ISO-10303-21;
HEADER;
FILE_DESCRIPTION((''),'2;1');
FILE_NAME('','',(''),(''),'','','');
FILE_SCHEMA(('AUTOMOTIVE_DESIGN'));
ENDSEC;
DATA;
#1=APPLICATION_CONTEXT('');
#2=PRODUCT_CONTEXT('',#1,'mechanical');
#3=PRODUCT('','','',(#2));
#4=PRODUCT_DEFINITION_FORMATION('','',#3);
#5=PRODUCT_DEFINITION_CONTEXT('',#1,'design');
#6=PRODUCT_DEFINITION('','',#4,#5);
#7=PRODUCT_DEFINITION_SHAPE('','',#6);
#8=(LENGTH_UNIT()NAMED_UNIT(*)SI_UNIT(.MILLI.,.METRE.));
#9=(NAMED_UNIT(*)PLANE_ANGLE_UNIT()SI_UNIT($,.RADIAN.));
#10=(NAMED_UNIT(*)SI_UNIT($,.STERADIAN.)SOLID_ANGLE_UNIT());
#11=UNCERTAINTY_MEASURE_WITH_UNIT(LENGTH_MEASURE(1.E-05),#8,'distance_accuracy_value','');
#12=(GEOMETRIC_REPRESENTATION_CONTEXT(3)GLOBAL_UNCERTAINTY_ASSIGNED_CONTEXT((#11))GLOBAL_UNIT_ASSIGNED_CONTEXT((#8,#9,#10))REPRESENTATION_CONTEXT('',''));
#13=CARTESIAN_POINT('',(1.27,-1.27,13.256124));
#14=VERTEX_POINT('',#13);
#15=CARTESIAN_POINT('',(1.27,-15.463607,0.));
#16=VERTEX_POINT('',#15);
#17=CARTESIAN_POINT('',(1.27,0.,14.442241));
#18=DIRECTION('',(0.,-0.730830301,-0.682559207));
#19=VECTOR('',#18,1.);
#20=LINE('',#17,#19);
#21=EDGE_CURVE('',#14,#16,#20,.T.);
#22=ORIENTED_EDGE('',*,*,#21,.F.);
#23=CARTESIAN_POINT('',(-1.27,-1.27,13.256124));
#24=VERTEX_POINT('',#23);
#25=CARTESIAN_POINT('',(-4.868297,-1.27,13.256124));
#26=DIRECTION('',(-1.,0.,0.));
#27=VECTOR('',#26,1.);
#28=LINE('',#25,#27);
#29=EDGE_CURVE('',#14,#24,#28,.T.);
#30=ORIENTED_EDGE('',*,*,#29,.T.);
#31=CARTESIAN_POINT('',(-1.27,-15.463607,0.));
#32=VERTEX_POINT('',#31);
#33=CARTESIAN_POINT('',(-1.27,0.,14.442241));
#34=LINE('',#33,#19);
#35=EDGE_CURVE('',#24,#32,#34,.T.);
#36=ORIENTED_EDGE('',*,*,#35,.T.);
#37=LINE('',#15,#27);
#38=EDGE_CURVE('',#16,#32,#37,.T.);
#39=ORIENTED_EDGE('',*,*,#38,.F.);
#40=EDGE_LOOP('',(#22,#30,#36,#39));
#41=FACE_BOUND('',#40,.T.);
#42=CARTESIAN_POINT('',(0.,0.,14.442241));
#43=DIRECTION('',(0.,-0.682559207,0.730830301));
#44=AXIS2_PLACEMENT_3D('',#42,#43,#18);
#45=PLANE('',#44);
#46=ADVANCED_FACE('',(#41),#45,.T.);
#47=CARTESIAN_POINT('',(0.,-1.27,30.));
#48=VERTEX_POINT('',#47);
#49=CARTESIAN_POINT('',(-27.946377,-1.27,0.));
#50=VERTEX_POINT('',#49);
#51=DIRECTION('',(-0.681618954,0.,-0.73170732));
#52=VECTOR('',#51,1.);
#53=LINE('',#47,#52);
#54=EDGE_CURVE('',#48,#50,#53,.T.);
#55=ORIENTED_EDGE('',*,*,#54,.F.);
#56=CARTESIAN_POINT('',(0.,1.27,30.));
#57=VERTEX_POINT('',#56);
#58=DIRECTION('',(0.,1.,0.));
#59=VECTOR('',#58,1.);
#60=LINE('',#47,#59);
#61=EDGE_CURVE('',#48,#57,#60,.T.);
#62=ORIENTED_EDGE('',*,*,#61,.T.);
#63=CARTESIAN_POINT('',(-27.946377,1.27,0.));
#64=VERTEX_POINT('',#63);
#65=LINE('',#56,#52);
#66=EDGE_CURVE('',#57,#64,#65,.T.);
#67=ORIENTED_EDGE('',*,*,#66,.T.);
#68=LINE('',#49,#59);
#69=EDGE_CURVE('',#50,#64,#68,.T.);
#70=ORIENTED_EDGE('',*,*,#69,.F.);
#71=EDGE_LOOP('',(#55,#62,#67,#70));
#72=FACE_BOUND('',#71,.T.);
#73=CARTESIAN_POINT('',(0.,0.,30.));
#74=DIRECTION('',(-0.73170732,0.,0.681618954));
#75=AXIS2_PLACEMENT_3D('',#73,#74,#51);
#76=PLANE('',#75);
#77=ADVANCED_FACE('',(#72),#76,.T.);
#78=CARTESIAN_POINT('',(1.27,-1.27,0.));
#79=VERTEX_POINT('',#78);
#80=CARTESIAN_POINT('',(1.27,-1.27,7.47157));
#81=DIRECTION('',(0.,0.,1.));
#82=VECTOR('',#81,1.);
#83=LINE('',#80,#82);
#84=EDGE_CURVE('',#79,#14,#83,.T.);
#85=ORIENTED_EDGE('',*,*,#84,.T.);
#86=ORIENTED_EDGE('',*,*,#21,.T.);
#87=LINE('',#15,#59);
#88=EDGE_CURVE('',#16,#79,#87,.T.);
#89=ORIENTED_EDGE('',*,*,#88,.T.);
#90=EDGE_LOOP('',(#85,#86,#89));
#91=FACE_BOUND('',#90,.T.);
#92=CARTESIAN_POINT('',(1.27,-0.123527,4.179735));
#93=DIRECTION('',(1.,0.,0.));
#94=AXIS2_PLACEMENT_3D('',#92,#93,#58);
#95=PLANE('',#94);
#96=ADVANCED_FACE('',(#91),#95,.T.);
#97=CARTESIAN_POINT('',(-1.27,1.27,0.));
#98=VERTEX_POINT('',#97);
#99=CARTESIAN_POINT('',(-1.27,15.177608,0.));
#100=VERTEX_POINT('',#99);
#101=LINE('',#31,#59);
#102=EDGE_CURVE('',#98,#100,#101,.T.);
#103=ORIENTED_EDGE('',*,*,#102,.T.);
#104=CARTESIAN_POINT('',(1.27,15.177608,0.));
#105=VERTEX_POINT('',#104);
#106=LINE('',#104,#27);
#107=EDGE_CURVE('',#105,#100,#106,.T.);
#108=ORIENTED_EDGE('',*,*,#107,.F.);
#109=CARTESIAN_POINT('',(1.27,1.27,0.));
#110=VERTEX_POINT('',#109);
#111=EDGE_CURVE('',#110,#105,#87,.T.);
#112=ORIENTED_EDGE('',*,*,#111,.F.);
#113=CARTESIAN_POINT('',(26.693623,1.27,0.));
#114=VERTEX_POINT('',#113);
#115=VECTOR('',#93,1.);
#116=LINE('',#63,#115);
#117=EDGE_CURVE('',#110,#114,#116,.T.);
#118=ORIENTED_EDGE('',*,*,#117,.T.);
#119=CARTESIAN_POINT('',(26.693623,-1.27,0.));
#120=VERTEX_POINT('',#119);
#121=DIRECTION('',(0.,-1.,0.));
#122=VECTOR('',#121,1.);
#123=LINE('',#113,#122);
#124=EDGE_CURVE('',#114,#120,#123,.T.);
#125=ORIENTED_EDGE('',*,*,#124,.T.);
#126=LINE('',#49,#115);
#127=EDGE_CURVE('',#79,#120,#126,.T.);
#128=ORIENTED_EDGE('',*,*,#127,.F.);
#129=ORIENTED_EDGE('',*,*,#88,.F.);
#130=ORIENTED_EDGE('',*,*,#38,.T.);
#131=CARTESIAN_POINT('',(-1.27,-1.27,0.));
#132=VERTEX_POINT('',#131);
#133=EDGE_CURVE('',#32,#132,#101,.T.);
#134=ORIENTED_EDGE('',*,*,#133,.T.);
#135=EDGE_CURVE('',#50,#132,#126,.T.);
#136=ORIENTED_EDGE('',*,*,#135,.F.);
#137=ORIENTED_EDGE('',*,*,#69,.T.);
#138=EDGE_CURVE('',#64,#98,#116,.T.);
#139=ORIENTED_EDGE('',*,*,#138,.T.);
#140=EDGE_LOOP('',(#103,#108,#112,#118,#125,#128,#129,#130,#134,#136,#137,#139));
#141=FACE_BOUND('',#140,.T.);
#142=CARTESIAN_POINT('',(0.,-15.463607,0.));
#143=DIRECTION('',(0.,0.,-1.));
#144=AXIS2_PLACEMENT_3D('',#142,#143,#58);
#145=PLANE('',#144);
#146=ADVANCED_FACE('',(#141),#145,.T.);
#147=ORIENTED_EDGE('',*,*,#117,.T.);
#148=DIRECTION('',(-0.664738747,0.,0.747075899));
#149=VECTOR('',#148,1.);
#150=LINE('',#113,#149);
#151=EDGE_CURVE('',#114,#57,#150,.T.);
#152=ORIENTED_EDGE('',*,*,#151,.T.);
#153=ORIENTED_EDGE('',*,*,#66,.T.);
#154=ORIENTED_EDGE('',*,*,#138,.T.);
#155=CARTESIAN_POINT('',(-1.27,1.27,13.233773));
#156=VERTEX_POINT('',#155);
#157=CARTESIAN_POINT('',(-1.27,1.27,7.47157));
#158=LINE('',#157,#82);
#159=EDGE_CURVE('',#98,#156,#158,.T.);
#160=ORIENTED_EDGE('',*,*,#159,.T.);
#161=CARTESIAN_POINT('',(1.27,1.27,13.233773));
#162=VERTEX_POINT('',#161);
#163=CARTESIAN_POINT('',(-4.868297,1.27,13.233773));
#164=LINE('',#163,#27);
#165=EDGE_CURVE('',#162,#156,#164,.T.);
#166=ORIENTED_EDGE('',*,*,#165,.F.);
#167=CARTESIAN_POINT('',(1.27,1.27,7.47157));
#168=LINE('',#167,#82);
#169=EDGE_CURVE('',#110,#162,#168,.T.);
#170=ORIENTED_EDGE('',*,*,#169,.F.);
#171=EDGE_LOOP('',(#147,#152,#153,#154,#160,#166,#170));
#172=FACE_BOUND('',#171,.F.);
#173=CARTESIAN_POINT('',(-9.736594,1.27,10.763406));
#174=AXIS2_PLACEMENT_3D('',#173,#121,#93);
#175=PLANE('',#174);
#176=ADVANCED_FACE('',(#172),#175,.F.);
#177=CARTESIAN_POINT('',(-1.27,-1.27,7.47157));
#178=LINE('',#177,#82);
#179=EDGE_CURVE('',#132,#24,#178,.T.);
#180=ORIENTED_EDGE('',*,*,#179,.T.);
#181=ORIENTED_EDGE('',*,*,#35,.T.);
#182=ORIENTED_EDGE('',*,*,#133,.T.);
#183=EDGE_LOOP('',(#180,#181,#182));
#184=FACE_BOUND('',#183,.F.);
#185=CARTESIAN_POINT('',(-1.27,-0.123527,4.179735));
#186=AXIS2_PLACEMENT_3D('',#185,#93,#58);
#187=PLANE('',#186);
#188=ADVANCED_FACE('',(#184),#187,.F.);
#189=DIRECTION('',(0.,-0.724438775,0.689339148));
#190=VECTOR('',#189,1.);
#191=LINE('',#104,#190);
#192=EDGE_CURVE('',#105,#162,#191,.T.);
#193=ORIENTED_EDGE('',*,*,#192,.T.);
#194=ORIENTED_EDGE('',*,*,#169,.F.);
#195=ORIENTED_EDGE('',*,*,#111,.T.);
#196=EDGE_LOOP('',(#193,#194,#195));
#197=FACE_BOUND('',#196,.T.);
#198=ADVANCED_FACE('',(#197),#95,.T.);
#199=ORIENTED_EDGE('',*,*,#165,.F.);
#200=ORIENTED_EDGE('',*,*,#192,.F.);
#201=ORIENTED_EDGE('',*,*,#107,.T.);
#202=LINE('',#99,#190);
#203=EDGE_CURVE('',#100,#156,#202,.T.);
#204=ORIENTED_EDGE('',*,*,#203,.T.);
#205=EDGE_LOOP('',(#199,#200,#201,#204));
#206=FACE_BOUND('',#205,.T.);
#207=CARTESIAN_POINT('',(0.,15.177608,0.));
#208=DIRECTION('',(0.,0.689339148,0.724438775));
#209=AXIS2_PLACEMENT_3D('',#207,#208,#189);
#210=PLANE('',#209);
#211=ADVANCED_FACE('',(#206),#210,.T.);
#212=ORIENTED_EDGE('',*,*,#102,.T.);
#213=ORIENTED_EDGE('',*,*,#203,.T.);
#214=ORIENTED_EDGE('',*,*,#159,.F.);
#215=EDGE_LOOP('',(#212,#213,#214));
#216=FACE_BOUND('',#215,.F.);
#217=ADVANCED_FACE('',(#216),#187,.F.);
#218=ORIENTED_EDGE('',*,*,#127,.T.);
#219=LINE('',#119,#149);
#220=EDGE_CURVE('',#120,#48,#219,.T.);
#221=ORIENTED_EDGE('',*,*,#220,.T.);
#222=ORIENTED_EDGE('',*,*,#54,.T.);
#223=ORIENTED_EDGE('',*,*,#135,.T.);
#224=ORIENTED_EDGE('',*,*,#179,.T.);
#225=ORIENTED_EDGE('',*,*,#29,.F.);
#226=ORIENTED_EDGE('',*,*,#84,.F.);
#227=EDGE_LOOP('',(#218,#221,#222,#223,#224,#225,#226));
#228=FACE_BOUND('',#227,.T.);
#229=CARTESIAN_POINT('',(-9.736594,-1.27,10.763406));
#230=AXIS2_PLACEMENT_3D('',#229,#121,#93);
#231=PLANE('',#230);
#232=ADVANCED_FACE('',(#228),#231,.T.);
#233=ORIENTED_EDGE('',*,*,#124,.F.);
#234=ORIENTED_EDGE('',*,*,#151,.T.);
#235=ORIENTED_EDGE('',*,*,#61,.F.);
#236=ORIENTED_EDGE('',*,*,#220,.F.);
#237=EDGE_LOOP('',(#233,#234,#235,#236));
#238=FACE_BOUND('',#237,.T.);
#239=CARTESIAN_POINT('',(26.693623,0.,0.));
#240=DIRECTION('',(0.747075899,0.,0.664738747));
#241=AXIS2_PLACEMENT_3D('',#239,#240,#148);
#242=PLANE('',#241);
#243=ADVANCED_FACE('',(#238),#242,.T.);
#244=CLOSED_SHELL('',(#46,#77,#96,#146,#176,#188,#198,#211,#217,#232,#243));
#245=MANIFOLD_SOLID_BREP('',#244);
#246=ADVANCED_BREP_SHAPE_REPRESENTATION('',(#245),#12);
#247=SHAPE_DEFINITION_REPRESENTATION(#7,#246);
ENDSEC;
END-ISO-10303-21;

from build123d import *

# Parameters (mm, degrees)
F1_DEPTH = 1.27
F3_DEPTH = 1.27


with BuildPart() as f1:
    # F0 (on Front) → F1 (new body, symmetric)
    with BuildSketch(Plane.XZ):
        Polygon((-27.946377, 0), (0, 0), (0, 30), align=None)
        Polygon((0, 0), (26.693623, 0), (0, 30), align=None)
    extrude(amount=F1_DEPTH, both=True)

    # F2 (on Right) → F3 (join, symmetric)
    with BuildSketch(Plane.YZ):
        Polygon((15.177608, 0), (0, 14.442241), (-15.463607, 0), align=None)
    extrude(amount=F3_DEPTH, both=True)


solid = f1.part
